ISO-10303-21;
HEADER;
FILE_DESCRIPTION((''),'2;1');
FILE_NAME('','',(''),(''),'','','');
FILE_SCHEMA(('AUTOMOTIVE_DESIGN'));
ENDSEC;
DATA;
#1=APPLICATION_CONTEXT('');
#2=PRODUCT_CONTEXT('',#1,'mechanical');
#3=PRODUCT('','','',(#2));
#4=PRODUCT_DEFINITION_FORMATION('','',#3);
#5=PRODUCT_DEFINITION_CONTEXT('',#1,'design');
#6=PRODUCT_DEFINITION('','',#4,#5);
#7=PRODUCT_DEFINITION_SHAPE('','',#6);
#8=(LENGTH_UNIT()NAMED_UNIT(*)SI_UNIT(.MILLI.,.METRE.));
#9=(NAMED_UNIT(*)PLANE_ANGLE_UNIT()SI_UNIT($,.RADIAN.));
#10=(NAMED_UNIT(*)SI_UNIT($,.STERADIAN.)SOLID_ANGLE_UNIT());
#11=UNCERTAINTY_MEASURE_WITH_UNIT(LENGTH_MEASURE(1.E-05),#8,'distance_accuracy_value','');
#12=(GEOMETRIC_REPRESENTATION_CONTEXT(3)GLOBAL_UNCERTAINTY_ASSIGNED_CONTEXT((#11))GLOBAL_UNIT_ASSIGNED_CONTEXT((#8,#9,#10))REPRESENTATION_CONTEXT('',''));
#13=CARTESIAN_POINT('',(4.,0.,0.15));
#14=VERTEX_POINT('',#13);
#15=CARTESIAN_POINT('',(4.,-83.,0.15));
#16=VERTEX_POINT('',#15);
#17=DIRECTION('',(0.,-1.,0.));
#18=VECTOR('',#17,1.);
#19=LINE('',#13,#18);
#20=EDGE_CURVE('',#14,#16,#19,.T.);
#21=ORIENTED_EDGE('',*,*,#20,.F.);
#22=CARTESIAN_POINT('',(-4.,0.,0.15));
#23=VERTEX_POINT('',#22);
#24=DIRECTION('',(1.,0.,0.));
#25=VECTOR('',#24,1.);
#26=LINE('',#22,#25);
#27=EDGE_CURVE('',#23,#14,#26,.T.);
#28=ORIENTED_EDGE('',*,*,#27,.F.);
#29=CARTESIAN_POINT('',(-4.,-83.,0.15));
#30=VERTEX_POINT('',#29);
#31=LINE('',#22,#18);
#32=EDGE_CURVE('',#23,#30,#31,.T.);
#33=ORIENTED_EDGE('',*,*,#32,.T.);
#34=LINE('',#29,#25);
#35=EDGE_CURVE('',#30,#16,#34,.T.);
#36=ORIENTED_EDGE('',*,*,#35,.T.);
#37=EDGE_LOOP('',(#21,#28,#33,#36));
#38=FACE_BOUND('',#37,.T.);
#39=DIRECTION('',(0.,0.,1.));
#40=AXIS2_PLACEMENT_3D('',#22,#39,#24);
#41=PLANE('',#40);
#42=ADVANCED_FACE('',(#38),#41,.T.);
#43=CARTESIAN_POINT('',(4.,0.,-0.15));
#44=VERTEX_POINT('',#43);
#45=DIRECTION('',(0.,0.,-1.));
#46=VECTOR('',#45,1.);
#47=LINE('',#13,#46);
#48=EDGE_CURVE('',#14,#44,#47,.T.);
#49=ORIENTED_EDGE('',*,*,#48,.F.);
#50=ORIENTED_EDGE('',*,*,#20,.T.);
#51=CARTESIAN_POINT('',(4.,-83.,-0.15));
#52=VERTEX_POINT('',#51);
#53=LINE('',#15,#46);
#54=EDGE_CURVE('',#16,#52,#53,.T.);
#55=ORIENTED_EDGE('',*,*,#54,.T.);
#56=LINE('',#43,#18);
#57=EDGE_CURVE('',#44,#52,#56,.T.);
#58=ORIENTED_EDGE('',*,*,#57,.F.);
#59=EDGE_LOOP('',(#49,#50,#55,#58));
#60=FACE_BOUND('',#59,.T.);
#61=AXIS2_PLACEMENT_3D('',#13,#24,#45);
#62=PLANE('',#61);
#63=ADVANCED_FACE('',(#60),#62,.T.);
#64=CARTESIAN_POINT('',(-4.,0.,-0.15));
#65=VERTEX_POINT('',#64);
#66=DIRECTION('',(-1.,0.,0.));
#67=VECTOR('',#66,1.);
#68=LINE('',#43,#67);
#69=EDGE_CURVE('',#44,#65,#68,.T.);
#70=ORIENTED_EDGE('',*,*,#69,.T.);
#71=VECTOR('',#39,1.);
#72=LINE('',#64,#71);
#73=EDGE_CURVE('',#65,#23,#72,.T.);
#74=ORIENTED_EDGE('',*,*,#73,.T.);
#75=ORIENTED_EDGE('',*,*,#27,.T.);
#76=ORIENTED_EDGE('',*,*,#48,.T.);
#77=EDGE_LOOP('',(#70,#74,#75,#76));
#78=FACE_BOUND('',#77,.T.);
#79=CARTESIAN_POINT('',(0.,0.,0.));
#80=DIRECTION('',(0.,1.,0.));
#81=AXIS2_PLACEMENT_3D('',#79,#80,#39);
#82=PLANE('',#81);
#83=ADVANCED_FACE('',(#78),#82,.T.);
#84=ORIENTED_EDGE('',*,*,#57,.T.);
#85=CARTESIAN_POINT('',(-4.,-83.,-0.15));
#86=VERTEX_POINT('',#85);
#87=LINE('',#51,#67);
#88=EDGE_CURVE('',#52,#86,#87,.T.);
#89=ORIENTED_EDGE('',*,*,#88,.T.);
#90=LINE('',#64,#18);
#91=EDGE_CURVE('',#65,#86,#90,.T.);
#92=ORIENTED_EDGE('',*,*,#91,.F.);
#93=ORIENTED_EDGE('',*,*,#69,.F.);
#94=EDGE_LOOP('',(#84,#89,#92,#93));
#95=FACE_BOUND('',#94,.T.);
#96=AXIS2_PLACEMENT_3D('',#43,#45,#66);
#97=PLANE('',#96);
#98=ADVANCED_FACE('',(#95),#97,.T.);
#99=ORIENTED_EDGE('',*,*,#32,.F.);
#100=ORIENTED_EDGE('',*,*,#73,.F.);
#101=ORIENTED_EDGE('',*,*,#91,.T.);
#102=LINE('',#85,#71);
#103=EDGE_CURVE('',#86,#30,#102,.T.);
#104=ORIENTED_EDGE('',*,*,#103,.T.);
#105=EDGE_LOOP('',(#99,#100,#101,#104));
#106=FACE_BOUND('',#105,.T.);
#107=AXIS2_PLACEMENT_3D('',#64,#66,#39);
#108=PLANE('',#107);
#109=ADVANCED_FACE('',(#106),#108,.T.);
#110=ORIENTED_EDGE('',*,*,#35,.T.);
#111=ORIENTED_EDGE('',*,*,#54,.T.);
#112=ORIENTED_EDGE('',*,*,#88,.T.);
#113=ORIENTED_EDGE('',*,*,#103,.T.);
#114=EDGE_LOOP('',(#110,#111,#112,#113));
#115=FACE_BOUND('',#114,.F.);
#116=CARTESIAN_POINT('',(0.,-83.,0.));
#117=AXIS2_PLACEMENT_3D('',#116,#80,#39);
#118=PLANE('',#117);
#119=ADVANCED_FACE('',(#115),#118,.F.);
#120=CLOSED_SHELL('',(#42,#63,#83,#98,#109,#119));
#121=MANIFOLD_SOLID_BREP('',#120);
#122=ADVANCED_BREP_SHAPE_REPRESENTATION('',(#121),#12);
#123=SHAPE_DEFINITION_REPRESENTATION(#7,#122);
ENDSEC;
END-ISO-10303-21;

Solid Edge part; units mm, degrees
sketch "Sketch1" plane through (0, 0, 0) normal (0, -1, 0) x (1, 0, 0)
  line L0 (4, -0.15) -> (-4, -0.15)
  line L1 (-4, -0.15) -> (-4, 0.15)
  line L2 (-4, 0.15) -> (4, 0.15)
  line L3 (4, 0.15) -> (4, -0.15)
  dimension "D1" = 0.3
  dimension "D2" = 8
extrude "Protrusion1" add sketch "Sketch1" along normal blind 83
